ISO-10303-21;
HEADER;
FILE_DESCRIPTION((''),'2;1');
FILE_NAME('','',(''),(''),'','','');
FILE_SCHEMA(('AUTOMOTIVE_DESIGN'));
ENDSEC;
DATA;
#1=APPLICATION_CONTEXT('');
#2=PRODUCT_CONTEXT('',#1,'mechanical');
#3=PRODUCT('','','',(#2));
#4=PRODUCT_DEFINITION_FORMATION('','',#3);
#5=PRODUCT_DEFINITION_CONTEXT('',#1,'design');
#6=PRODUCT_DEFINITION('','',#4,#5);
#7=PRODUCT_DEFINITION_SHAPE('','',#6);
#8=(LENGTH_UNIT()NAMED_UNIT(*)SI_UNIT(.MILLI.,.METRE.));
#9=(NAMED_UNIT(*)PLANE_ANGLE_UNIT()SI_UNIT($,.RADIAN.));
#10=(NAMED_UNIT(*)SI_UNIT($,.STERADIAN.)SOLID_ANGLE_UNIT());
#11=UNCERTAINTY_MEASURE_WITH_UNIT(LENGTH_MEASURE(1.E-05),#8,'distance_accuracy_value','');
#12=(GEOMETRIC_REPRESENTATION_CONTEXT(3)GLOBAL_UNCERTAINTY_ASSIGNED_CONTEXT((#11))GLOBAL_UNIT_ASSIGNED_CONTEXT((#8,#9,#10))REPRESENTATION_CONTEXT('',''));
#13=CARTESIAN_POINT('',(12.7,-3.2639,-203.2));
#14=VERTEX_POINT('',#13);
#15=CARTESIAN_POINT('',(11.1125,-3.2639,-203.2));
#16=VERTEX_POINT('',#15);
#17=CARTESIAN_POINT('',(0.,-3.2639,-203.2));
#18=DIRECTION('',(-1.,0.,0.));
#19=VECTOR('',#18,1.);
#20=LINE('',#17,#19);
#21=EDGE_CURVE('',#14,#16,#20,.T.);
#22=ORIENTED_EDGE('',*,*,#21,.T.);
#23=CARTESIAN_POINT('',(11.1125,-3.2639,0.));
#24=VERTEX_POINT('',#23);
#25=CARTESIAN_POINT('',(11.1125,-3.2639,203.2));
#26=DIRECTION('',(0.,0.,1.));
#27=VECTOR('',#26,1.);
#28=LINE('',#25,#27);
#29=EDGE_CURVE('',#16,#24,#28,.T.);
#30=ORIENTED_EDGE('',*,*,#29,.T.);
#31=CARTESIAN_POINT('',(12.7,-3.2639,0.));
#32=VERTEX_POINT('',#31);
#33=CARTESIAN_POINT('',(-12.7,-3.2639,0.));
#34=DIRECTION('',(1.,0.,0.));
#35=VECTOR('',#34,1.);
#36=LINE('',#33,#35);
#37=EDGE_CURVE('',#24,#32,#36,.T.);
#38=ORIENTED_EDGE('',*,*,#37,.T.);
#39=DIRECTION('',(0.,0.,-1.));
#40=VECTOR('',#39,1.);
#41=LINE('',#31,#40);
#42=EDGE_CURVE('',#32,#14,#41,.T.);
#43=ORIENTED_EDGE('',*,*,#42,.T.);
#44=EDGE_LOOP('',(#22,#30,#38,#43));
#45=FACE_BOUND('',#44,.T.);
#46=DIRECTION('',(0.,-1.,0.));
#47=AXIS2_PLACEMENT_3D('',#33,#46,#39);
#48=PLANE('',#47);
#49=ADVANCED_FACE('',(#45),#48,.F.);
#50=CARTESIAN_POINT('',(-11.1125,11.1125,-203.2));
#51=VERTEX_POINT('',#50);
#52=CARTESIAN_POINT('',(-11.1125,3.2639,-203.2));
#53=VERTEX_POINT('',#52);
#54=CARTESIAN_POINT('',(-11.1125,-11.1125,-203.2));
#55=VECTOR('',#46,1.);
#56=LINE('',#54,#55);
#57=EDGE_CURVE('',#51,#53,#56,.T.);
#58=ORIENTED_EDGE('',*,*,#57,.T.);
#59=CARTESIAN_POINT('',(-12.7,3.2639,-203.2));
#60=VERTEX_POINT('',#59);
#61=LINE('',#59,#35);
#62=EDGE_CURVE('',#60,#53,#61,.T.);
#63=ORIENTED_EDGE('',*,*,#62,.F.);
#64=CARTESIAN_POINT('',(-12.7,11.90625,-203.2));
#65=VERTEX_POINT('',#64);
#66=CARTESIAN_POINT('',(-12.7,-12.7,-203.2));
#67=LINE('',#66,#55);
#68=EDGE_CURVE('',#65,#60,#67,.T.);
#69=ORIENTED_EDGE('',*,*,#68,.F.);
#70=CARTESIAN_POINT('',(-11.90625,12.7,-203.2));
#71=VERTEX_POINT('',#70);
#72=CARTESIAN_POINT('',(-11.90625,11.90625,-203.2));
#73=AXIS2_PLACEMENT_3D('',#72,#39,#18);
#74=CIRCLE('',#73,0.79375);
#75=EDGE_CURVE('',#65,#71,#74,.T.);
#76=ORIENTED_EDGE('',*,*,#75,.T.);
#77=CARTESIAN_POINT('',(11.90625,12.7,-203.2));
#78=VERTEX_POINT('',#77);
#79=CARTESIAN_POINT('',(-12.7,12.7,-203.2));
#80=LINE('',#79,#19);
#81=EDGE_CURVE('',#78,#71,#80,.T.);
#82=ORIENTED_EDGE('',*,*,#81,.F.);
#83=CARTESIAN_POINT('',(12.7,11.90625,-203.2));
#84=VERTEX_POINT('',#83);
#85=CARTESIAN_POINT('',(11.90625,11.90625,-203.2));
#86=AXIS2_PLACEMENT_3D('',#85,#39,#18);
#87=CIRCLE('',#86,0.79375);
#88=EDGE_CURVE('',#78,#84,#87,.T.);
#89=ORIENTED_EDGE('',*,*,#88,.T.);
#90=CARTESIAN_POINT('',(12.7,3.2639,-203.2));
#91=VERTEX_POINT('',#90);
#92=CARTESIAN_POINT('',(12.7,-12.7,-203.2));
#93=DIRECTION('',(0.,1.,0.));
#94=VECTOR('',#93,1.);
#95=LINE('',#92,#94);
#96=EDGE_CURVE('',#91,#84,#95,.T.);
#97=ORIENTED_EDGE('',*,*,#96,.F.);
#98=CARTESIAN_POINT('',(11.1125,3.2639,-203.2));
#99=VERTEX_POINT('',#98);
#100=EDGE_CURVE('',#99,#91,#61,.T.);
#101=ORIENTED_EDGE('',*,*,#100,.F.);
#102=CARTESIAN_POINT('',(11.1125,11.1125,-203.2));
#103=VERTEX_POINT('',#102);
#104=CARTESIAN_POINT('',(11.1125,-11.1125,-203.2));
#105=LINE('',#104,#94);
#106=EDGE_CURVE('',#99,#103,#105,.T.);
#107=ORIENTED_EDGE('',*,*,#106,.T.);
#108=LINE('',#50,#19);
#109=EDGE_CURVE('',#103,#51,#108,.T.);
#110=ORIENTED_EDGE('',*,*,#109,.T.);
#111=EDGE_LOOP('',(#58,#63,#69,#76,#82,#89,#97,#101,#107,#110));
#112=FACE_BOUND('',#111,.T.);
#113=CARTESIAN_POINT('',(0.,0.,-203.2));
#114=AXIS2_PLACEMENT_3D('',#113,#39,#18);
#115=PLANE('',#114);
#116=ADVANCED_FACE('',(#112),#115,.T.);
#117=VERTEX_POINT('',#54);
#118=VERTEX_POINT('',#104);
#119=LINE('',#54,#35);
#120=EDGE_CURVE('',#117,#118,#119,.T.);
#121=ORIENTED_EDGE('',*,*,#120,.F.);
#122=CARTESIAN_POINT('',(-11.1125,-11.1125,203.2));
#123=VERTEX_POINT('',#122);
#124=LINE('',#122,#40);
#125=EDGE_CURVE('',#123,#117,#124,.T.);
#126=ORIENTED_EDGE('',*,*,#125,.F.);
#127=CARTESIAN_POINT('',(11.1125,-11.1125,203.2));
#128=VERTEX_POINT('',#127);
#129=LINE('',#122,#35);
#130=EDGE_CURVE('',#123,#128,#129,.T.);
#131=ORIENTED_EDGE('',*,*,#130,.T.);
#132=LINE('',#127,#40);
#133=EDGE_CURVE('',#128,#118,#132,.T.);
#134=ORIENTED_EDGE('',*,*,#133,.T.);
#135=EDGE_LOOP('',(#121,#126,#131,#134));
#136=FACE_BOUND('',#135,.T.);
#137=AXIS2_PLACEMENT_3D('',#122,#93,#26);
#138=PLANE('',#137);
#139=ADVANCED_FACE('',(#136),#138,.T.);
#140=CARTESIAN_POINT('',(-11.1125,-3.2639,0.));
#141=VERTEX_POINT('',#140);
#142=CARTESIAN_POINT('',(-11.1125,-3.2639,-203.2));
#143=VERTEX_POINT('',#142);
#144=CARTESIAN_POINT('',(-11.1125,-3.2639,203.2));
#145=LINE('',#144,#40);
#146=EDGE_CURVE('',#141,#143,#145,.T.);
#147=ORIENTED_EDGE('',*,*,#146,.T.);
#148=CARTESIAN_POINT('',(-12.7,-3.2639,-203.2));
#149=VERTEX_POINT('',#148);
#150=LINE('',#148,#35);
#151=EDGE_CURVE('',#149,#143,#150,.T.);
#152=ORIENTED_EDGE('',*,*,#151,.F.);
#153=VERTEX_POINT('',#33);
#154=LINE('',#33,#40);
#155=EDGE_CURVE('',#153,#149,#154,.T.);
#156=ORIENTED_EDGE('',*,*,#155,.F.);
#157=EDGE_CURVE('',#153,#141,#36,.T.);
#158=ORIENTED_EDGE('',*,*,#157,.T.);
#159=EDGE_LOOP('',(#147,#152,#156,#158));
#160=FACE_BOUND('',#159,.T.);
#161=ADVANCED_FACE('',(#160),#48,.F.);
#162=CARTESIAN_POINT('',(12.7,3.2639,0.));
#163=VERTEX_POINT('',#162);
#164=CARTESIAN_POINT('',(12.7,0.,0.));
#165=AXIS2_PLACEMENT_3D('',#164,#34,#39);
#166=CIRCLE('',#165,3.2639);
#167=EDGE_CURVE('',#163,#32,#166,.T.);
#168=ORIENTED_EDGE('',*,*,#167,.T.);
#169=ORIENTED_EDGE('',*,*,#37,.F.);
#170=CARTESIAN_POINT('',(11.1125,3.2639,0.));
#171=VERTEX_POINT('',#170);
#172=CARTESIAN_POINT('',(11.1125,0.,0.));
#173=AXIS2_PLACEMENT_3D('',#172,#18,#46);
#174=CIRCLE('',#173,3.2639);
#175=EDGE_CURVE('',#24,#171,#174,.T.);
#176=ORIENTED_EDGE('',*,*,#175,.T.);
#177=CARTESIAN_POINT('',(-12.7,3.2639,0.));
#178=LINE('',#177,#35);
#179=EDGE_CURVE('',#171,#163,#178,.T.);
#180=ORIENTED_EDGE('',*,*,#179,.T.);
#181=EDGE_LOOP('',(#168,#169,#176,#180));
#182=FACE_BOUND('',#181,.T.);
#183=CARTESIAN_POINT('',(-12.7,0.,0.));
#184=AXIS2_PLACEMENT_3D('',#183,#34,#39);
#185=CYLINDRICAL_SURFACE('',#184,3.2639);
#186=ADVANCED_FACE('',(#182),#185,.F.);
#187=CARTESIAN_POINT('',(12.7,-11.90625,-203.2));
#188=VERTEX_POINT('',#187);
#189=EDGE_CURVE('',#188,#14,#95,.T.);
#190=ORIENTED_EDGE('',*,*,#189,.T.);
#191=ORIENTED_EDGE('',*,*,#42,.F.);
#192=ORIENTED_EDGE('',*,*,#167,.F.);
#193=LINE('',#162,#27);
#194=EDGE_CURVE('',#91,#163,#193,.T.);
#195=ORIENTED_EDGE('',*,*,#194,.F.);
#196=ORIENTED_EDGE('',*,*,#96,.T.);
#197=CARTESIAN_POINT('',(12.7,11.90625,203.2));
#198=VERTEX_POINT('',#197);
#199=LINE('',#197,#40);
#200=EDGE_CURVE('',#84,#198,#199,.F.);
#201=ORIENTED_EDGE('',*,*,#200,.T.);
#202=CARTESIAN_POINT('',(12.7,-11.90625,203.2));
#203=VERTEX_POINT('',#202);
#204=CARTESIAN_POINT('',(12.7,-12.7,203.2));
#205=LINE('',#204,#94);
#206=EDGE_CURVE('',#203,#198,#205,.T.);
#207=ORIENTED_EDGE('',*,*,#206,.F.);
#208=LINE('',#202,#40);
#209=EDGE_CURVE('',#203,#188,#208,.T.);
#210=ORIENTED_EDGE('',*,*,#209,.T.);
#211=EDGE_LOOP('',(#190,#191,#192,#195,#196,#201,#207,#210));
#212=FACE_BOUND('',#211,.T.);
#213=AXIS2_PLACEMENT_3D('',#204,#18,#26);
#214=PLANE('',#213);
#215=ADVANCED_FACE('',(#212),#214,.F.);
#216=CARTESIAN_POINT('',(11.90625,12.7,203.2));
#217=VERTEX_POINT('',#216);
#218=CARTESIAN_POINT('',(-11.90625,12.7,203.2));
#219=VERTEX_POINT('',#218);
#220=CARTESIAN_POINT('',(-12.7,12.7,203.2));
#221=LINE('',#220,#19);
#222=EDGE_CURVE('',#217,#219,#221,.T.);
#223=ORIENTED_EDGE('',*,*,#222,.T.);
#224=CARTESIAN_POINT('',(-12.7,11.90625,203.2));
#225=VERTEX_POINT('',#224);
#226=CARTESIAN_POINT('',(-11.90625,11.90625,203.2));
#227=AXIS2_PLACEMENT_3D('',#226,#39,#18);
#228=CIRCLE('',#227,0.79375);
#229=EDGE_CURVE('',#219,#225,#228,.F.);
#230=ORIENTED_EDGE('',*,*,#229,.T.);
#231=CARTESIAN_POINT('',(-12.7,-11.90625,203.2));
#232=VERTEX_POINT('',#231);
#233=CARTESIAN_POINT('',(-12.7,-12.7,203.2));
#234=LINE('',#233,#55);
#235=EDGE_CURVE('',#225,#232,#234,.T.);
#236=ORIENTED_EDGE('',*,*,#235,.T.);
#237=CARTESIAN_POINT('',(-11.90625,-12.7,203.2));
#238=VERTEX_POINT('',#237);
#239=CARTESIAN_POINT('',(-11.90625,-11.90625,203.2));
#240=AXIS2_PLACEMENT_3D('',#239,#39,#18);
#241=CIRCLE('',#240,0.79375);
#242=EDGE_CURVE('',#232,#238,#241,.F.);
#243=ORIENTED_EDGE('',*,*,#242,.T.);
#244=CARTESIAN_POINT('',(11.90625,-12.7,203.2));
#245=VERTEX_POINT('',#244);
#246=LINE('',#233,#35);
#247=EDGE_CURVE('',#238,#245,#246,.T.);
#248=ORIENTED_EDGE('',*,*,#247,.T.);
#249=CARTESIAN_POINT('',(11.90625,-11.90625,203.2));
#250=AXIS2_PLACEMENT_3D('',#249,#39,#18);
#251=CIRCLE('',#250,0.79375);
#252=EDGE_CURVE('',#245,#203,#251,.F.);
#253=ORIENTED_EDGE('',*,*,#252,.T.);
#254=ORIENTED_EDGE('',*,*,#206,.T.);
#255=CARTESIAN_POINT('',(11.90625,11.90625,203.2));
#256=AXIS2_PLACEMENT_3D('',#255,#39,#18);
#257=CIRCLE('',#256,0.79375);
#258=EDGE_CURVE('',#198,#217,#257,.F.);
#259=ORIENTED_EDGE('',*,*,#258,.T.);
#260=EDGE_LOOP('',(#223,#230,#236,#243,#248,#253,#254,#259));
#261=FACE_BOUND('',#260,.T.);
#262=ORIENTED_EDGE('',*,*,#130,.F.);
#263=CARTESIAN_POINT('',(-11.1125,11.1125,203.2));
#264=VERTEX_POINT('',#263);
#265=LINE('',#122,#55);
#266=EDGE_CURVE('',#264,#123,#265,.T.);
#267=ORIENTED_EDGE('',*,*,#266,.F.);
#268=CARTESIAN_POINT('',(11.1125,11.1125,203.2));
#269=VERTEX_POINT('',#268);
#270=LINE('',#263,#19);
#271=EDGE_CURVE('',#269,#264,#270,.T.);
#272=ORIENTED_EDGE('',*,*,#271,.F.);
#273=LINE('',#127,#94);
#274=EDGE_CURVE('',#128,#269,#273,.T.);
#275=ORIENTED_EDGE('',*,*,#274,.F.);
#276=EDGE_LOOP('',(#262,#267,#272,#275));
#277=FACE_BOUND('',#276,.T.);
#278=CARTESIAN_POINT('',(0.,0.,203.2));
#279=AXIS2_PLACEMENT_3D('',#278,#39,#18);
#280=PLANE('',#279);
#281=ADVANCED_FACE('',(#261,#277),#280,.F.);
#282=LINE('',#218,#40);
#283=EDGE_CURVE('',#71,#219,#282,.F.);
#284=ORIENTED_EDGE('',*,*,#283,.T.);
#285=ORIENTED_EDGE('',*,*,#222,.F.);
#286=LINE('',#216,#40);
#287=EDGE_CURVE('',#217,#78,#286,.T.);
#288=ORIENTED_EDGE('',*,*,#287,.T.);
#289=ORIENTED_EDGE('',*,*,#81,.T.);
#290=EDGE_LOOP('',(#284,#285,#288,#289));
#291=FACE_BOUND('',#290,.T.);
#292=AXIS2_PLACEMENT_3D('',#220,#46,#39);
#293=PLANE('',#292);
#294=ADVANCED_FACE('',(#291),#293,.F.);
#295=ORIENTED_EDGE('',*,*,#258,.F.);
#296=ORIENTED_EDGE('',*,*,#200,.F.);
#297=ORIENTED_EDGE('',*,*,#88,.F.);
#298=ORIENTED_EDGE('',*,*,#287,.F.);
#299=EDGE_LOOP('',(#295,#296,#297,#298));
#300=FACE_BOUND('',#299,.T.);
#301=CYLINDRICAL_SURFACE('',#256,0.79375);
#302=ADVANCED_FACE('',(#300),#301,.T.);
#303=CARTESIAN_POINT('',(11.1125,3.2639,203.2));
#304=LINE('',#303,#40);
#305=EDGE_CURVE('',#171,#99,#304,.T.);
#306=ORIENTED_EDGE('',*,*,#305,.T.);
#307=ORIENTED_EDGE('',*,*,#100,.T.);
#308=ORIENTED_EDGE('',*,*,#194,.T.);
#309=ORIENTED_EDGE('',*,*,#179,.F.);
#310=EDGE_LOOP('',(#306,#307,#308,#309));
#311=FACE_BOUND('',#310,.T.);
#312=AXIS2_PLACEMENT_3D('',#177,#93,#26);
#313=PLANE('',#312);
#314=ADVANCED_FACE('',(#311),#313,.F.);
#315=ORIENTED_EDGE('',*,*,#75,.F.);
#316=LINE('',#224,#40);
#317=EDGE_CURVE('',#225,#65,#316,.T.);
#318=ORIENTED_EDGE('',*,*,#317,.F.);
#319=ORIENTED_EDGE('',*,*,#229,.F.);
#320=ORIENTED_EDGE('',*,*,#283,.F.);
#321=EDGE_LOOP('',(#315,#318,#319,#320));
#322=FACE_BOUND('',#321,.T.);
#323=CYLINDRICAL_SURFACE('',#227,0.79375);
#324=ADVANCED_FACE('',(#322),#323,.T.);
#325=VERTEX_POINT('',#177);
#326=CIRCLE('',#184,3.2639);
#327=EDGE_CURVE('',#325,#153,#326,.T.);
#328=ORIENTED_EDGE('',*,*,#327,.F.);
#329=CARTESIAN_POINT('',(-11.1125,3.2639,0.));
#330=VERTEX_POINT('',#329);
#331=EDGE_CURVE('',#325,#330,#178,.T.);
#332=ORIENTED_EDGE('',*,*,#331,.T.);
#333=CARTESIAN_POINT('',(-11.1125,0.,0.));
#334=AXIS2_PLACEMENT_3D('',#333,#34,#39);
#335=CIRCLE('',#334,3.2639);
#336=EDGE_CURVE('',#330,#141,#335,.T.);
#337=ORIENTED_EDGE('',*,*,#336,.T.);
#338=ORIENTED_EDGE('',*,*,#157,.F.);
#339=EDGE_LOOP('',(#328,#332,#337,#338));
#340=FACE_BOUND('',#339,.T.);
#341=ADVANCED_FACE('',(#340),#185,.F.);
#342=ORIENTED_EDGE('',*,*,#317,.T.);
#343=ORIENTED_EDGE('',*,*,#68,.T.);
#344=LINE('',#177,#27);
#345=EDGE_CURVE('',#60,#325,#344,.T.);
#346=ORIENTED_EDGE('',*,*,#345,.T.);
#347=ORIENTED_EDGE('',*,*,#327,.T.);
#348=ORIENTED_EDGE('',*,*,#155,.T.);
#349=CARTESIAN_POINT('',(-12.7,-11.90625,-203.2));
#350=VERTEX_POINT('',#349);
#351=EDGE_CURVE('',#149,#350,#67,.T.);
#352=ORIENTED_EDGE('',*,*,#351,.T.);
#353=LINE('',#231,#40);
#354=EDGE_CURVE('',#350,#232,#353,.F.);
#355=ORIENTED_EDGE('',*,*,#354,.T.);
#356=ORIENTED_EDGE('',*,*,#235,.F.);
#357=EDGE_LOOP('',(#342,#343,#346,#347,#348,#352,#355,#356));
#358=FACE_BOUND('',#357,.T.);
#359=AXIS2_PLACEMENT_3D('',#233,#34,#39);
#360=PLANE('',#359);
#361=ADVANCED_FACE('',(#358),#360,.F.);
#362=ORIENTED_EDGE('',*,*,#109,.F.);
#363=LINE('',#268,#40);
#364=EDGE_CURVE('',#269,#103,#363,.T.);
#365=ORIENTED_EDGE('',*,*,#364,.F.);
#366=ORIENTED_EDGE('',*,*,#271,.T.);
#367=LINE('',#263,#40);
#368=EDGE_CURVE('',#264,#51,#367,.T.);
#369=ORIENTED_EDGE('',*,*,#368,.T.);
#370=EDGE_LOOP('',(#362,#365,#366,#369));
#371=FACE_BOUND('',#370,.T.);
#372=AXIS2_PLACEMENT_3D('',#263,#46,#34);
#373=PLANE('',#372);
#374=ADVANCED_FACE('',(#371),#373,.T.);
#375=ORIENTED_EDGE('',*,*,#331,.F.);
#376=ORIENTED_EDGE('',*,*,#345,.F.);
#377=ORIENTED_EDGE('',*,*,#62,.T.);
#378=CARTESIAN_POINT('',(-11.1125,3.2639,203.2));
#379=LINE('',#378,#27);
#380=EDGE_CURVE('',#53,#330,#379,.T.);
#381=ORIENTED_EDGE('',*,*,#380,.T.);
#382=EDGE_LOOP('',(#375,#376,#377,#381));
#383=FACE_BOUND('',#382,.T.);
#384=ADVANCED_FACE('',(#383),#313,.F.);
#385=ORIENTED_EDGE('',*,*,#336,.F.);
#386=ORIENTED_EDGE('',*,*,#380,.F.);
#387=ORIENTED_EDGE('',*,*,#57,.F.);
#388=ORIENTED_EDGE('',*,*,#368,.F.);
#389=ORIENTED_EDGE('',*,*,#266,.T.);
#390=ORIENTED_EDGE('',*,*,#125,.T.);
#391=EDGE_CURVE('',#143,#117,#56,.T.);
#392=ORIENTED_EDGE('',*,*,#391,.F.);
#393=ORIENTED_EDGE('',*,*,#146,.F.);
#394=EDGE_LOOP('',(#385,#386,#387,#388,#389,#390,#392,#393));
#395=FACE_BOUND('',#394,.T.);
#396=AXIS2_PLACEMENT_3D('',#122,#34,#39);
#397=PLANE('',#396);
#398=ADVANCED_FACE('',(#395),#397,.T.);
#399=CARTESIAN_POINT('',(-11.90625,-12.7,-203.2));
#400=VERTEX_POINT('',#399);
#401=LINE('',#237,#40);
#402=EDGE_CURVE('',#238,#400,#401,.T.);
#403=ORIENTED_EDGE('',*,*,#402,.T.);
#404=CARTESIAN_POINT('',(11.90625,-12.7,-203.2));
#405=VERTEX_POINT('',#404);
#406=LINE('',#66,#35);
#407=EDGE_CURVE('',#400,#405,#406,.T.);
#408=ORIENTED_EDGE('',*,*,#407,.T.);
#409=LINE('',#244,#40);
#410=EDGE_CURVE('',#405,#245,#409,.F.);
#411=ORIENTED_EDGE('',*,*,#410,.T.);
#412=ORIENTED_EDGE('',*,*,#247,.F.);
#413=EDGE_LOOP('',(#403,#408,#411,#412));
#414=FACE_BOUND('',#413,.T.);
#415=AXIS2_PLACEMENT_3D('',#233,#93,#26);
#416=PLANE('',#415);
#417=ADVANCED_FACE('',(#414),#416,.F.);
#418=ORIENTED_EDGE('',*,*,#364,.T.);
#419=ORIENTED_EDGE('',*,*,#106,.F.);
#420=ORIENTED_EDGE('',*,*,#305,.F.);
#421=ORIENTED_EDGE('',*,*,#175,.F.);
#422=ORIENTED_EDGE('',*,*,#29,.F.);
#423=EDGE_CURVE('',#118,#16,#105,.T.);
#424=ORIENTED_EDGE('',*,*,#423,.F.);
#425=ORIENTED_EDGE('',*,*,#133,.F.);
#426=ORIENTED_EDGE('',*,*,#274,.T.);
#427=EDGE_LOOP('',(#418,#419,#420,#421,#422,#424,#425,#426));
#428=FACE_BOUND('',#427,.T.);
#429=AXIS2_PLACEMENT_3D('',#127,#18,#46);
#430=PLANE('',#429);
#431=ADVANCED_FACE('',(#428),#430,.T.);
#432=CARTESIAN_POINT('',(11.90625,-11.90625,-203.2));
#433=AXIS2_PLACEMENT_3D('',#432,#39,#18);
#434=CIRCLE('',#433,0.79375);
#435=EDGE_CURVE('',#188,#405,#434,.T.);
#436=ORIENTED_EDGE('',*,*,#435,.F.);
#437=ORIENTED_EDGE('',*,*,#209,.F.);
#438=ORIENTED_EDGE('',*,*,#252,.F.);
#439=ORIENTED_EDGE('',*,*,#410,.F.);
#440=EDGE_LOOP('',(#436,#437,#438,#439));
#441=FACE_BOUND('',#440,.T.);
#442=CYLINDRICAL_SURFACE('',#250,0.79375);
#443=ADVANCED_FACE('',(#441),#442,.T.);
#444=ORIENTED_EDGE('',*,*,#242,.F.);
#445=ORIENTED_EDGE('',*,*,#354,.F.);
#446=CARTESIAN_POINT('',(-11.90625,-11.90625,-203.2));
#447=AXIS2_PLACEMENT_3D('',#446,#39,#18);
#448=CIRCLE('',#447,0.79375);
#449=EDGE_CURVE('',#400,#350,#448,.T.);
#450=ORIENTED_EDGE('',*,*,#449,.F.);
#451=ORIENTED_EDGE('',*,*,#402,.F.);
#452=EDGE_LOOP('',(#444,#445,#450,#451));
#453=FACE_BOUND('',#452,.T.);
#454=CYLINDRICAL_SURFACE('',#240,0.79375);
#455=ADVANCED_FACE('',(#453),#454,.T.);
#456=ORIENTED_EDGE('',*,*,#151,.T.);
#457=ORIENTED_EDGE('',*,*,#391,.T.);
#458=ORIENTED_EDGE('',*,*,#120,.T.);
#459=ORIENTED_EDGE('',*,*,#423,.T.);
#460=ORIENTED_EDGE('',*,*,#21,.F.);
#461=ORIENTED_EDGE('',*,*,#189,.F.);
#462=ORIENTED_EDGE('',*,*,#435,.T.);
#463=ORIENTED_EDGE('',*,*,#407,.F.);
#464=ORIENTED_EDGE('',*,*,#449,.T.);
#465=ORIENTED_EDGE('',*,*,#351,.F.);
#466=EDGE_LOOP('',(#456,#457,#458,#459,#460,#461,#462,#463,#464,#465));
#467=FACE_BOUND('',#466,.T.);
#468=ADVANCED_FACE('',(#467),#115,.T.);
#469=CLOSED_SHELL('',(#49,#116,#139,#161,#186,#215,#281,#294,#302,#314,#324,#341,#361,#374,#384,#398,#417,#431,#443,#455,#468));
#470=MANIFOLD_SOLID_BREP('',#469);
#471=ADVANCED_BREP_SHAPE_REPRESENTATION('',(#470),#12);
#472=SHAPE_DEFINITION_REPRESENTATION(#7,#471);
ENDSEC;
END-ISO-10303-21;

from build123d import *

# Parameters (mm, degrees)
BOSS_EXTRUDE1_DEPTH      = 203.2
BOSS_EXTRUDE1_DEPTH_BACK = 203.2
SKETCH1_W                = 25.4
SKETCH1_H                = 25.4
SKETCH1_W_2              = 22.225
SKETCH1_H_2              = 22.225
FILLET1_R                = 0.79375
CUT_EXTRUDE1_DEPTH       = 206.174779152


with BuildPart() as part:
    # Sketch1 → Boss-Extrude1 (new, two sides: drawn at the far end of the back side and taken through both)
    with BuildSketch(Plane.XY.offset(-BOSS_EXTRUDE1_DEPTH_BACK)):
        Rectangle(SKETCH1_W, SKETCH1_H)
        Rectangle(SKETCH1_W_2, SKETCH1_H_2, mode=Mode.SUBTRACT)
    extrude(amount=BOSS_EXTRUDE1_DEPTH + BOSS_EXTRUDE1_DEPTH_BACK)

    # Fillet1
    fillet1_edges = [part.edges().sort_by_distance(p)[0] for p in [
        (12.7, -12.7, 0),
        (-12.7, -12.7, 0),
        (-12.7, 12.7, 0),
        (12.7, 12.7, 0),
    ]]
    fillet(fillet1_edges, radius=FILLET1_R)

    # Sketch3 → Cut-Extrude1 (cut, through all)
    with BuildSketch(Plane(origin=(12.7, 0, 0), x_dir=(0, 0, -1), z_dir=(1, 0, 0))):
        with BuildLine():
            Line((0, 3.2639), (203.2, 3.2639))
            ThreePointArc((203.2, 3.2639), (206.4639, 0), (203.2, -3.2639))
            Line((203.2, -3.2639), (0, -3.2639))
            ThreePointArc((0, -3.2639), (-3.2639, 0), (0, 3.2639))
        make_face()
    extrude(amount=-CUT_EXTRUDE1_DEPTH, mode=Mode.SUBTRACT)


solid = part.part
